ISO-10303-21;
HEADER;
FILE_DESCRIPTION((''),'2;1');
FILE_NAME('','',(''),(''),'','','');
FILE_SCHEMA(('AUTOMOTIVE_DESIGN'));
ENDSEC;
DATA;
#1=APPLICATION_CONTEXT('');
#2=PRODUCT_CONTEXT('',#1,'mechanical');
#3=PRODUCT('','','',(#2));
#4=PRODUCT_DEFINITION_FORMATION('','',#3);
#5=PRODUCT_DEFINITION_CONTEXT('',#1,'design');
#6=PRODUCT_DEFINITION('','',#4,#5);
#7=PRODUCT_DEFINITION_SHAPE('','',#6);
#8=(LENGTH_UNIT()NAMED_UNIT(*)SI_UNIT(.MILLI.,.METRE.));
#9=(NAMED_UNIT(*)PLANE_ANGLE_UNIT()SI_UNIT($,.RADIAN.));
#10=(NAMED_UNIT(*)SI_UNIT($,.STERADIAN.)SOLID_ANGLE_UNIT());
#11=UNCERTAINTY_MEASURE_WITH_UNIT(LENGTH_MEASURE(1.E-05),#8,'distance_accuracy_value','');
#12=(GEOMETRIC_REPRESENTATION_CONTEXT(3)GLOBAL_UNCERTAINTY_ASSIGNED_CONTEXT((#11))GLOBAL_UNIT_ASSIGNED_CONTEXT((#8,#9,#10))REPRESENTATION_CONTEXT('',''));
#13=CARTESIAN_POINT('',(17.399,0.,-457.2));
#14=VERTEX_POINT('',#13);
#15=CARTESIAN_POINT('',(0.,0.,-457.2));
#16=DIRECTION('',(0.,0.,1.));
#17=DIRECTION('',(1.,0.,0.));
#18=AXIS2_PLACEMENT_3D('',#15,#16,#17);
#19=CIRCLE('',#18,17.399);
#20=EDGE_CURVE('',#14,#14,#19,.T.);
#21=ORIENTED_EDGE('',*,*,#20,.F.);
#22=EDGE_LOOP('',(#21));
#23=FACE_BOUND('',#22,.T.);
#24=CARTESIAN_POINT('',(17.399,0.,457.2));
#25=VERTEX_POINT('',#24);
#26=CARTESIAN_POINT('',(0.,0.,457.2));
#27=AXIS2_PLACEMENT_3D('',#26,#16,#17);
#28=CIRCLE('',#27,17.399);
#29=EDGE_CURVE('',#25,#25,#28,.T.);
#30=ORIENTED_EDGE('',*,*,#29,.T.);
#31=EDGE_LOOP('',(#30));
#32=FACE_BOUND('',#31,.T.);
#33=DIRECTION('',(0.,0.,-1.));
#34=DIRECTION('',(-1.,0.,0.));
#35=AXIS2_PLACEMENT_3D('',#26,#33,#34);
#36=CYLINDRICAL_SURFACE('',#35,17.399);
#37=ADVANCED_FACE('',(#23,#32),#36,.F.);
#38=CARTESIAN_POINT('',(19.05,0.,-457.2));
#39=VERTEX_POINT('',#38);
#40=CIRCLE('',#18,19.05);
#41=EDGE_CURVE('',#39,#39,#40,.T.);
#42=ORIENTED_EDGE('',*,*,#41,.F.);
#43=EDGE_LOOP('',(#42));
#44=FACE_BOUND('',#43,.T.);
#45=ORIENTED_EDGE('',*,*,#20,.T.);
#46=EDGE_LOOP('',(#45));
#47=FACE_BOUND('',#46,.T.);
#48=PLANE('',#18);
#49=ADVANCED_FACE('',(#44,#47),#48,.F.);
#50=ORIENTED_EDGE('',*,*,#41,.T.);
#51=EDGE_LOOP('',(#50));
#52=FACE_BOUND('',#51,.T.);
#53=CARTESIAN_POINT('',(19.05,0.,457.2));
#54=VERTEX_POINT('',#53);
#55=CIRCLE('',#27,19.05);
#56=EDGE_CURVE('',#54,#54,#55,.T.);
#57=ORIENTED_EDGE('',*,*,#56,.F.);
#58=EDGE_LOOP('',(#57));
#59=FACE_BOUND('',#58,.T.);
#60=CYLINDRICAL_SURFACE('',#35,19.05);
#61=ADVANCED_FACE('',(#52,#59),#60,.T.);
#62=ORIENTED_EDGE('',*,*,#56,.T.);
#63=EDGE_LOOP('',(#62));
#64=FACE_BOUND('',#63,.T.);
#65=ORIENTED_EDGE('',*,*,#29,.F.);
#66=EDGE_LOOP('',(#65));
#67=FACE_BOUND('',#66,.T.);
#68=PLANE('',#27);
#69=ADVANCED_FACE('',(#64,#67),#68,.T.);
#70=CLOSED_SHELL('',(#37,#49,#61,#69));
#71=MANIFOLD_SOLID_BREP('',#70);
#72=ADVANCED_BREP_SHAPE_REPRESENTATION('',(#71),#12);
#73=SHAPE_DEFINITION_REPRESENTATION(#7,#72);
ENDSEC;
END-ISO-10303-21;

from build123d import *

# Parameters (mm, degrees)
SKETCH3_R           = 19.05
SKETCH3_R_2         = 17.399
BOSS_EXTRUDE1_DEPTH = 457.2


with BuildPart() as part:
    # Sketch3 → Boss-Extrude1 (new, symmetric)
    with BuildSketch(Plane.XY):
        Circle(SKETCH3_R)
        Circle(SKETCH3_R_2, mode=Mode.SUBTRACT)
    extrude(amount=BOSS_EXTRUDE1_DEPTH, both=True)


solid = part.part
